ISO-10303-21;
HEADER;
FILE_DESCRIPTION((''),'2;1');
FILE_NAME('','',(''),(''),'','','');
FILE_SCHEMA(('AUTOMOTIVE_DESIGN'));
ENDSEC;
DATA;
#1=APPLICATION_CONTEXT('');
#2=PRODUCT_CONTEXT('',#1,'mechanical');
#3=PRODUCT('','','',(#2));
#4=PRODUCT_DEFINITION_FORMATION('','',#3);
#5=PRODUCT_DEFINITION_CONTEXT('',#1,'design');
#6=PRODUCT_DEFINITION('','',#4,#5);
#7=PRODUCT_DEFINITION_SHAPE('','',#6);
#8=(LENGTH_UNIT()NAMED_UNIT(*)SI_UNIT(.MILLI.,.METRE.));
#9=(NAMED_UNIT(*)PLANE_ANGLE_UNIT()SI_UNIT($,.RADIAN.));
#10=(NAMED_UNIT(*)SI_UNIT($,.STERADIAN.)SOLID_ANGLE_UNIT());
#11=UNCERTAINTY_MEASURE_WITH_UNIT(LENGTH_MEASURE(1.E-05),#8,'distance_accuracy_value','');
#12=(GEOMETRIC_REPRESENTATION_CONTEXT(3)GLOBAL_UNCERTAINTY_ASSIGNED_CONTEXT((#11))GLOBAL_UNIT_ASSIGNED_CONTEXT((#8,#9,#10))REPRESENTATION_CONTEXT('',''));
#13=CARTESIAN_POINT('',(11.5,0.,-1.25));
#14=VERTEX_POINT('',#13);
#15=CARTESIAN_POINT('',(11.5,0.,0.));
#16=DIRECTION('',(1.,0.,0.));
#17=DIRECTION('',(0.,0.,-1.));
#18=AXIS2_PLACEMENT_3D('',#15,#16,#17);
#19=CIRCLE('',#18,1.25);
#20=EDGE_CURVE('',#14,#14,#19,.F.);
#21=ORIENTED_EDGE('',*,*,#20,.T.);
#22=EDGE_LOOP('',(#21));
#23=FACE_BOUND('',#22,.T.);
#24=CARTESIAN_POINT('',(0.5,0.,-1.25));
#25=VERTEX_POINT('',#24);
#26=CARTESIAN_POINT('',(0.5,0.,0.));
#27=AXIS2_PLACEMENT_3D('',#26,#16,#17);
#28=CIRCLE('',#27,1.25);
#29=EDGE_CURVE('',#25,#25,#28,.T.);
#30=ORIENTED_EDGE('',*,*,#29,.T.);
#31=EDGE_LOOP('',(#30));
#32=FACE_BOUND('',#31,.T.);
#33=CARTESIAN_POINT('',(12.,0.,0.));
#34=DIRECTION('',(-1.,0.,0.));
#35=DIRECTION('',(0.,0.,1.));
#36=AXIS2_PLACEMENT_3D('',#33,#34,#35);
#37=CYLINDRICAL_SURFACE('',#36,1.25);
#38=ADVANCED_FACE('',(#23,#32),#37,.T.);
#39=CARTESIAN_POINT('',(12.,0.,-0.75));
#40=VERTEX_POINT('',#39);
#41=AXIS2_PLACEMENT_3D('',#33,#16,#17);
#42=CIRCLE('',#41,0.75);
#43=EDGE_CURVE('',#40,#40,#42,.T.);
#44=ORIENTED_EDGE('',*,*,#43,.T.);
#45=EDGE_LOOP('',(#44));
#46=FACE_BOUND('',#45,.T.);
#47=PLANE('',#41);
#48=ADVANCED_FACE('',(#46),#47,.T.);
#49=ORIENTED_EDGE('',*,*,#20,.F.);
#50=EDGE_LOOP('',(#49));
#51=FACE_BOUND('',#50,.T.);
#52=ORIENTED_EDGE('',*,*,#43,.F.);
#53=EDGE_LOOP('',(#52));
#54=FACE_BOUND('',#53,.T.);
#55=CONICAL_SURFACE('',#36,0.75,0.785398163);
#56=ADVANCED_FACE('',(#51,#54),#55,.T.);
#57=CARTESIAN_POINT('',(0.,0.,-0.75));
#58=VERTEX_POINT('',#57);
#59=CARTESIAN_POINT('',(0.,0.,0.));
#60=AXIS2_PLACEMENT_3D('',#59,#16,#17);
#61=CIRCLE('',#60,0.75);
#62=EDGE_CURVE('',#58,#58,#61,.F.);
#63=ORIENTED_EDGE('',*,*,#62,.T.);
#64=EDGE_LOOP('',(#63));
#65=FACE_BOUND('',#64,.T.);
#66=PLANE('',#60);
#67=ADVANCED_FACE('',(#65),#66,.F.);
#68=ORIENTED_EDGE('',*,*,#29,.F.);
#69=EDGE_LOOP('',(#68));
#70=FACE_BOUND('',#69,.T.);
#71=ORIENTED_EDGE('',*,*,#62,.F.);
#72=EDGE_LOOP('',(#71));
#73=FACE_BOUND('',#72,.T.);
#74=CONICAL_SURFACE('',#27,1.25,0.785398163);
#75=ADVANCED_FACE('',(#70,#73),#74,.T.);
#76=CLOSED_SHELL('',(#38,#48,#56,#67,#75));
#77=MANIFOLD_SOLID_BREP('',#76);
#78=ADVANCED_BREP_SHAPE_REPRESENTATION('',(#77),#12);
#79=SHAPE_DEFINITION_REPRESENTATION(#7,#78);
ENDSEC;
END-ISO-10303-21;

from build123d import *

# Parameters (mm, degrees)
SKETCH1_R           = 1.25
BOSS_EXTRUDE1_DEPTH = 12
CHAMFER1_SIZE       = 0.5


with BuildPart() as part:
    # Sketch1 → Boss-Extrude1 (new body)
    with BuildSketch(Plane(origin=(0, 0, 0), x_dir=(0, 0, -1), z_dir=(1, 0, 0))):
        Circle(SKETCH1_R)
    extrude(amount=BOSS_EXTRUDE1_DEPTH)

    # Chamfer1
    chamfer1_edges = [part.edges().sort_by_distance(p)[0] for p in [
        (0, 0, 1.25),
        (12, 0, 1.25),
    ]]
    chamfer(chamfer1_edges, length=CHAMFER1_SIZE)


solid = part.part
